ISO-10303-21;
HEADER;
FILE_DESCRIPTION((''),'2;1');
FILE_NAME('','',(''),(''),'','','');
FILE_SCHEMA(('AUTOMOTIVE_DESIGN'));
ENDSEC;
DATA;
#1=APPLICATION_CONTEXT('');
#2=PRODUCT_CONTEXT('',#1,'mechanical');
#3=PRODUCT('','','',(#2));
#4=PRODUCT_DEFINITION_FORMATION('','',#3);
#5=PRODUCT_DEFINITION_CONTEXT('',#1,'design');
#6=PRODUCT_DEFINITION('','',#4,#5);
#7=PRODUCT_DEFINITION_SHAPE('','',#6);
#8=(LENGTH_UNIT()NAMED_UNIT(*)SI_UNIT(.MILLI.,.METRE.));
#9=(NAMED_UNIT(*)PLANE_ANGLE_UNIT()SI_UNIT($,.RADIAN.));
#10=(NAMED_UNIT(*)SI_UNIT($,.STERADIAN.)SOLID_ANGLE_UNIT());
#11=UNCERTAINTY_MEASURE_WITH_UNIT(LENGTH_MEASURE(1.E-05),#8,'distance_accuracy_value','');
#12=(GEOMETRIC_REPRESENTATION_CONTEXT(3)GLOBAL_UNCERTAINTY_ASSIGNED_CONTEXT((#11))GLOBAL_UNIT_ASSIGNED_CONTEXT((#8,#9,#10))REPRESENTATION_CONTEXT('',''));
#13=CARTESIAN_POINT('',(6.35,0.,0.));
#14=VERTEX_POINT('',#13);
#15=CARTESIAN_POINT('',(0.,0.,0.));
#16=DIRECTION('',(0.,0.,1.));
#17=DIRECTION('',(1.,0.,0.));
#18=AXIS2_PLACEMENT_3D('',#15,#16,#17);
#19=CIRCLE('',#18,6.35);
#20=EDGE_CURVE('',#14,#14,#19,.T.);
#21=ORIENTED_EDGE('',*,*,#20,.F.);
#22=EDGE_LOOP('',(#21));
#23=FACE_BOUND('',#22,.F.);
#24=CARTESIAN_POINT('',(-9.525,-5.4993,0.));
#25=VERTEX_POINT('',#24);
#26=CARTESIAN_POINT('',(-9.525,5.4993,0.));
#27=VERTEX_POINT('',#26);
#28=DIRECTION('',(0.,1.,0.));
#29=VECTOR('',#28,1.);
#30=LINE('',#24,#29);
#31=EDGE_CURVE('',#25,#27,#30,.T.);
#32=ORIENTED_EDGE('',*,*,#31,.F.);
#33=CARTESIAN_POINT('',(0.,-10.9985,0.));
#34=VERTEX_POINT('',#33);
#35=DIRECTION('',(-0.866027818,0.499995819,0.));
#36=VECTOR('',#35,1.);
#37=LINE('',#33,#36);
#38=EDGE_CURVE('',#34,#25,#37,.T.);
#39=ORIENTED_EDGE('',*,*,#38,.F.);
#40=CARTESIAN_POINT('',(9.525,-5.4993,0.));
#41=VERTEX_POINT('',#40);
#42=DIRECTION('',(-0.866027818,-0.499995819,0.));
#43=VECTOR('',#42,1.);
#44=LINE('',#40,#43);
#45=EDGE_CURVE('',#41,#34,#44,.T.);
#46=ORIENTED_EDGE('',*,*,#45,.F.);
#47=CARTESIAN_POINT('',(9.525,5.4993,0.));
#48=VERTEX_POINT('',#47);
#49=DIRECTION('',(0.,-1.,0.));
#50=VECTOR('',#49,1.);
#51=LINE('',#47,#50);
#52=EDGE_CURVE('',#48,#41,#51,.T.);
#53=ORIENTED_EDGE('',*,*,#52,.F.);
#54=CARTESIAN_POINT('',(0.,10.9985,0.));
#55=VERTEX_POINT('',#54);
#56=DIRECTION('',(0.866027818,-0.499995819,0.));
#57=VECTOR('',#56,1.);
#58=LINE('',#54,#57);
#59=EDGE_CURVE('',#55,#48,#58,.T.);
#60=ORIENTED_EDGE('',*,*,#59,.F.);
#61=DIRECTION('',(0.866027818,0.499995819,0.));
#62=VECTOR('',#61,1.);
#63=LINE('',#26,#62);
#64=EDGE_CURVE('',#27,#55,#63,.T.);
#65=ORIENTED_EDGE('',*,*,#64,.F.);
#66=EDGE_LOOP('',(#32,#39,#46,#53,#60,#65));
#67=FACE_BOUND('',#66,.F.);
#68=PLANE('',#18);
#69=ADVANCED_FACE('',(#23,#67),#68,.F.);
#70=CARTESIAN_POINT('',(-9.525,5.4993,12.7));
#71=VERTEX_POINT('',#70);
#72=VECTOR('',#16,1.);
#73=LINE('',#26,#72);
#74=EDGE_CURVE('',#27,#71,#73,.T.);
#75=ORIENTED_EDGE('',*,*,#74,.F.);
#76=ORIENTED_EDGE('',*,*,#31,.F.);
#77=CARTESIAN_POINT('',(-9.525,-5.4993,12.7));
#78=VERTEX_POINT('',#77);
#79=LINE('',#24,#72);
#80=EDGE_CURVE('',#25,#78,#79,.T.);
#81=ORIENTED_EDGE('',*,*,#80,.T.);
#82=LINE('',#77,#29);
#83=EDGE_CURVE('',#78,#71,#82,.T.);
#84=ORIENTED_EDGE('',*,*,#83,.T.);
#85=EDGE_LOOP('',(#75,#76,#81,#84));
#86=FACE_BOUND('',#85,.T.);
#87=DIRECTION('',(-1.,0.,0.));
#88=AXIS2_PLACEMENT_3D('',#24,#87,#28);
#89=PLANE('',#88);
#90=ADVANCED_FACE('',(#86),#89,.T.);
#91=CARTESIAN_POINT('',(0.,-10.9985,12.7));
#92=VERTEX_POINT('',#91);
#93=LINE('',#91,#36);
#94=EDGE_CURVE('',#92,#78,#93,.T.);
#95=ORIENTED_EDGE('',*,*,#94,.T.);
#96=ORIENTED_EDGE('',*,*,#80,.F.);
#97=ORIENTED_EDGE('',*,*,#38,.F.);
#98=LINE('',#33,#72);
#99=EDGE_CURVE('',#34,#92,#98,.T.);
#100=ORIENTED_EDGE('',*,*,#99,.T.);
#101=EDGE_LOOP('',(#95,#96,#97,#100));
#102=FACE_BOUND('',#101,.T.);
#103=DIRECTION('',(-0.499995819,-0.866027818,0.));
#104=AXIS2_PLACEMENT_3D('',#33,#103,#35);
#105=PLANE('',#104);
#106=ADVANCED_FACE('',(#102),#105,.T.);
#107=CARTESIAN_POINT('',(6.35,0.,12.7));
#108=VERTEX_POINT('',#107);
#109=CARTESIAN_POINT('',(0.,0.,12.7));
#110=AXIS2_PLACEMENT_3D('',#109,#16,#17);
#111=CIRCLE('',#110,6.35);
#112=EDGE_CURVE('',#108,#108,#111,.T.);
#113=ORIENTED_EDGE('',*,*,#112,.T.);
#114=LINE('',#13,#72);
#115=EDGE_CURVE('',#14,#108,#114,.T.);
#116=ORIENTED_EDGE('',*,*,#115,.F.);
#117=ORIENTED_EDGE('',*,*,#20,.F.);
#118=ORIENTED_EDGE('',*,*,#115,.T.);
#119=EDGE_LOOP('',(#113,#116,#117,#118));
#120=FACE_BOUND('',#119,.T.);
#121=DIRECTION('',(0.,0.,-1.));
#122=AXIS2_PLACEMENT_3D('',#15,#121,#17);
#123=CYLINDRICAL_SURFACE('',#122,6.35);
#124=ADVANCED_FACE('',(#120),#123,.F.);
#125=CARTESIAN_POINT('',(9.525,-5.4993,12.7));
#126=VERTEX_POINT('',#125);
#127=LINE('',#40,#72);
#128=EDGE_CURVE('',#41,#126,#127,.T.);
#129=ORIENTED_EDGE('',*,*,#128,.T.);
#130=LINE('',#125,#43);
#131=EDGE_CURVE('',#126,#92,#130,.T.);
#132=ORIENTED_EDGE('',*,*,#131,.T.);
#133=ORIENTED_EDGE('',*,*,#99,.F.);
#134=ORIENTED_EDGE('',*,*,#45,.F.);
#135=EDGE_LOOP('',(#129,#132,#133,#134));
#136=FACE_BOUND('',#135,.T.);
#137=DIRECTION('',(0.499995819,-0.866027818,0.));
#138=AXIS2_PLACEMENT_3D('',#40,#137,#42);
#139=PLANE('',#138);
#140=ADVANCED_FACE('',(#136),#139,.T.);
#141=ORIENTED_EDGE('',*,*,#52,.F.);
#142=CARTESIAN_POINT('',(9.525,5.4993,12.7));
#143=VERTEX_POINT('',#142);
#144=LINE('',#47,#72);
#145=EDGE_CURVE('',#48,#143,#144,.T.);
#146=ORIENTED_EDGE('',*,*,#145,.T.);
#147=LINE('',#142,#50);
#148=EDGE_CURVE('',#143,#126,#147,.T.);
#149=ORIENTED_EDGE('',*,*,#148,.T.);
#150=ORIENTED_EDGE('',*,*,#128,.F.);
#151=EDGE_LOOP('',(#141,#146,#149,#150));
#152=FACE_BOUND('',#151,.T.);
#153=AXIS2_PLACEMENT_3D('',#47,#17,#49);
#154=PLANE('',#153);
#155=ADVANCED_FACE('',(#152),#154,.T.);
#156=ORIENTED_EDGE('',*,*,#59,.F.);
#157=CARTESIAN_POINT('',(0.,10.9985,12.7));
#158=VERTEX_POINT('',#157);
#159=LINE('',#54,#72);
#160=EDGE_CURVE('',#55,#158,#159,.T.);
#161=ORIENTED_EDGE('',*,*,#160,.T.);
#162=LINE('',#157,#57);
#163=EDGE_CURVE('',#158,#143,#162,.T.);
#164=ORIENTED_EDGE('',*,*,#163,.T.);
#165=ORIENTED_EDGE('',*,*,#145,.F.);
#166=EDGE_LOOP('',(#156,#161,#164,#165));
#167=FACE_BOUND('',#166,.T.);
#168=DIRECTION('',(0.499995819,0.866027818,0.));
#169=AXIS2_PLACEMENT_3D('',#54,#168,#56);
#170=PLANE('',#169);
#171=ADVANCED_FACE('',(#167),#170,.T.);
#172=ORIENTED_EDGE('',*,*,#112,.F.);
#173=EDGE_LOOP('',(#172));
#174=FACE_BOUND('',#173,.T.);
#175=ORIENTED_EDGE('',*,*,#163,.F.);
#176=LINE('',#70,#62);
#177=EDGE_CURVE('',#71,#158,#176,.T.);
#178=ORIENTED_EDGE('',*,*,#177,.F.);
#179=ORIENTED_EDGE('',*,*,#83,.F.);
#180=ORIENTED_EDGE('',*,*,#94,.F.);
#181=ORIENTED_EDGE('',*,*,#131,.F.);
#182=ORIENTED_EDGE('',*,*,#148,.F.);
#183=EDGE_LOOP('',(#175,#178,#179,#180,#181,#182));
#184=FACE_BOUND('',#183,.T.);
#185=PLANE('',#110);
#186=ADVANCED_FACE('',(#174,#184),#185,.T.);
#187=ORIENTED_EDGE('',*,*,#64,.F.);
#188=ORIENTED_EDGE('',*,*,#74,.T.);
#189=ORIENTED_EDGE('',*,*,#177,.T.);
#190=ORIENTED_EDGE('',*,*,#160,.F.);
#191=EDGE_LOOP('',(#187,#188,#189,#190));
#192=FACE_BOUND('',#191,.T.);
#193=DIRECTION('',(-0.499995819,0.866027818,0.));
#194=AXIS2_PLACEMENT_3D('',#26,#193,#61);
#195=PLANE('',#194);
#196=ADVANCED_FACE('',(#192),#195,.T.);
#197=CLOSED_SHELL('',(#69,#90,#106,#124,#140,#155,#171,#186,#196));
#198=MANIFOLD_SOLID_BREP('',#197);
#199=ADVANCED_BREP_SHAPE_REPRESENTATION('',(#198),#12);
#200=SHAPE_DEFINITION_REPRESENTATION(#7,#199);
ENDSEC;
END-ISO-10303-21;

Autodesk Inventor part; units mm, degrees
ref_plane "YZ Plane" through (0, 0, 0) normal (1, 0, 0) x (0, 1, 0)
ref_plane "XZ Plane" through (0, 0, 0) normal (0, 1, 0) x (-1, 0, 0)
ref_plane "XY Plane" through (0, 0, 0) normal (0, 0, 1) x (1, 0, 0)
sketch "Sketch1" plane through (0, 0, 0) normal (0, 0, 1) x (1, 0, 0)
  circle A0 centre (0, 0) radius 6.35
  line L0 (0, 10.9985) -> (9.525, 5.4993)
  line L1 (9.525, 5.4993) -> (9.525, -5.4993)
  line L2 (9.525, -5.4993) -> (0, -10.9985)
  line L3 (0, -10.9985) -> (-9.525, -5.4993)
  line L4 (-9.525, -5.4993) -> (-9.525, 5.4993)
  line L5 (-9.525, 5.4993) -> (0, 10.9985)
  dimension "d0" = 12.7
  dimension "d1" = 19.05
extrude "Extrusion1" add sketch "Sketch1" along normal blind 12.7
thread "Thread1" size "1/2-13 UNC" class "2B" standard "ANSI Unified Screw Threads" full length
properties part number ".5 iD Nut"
